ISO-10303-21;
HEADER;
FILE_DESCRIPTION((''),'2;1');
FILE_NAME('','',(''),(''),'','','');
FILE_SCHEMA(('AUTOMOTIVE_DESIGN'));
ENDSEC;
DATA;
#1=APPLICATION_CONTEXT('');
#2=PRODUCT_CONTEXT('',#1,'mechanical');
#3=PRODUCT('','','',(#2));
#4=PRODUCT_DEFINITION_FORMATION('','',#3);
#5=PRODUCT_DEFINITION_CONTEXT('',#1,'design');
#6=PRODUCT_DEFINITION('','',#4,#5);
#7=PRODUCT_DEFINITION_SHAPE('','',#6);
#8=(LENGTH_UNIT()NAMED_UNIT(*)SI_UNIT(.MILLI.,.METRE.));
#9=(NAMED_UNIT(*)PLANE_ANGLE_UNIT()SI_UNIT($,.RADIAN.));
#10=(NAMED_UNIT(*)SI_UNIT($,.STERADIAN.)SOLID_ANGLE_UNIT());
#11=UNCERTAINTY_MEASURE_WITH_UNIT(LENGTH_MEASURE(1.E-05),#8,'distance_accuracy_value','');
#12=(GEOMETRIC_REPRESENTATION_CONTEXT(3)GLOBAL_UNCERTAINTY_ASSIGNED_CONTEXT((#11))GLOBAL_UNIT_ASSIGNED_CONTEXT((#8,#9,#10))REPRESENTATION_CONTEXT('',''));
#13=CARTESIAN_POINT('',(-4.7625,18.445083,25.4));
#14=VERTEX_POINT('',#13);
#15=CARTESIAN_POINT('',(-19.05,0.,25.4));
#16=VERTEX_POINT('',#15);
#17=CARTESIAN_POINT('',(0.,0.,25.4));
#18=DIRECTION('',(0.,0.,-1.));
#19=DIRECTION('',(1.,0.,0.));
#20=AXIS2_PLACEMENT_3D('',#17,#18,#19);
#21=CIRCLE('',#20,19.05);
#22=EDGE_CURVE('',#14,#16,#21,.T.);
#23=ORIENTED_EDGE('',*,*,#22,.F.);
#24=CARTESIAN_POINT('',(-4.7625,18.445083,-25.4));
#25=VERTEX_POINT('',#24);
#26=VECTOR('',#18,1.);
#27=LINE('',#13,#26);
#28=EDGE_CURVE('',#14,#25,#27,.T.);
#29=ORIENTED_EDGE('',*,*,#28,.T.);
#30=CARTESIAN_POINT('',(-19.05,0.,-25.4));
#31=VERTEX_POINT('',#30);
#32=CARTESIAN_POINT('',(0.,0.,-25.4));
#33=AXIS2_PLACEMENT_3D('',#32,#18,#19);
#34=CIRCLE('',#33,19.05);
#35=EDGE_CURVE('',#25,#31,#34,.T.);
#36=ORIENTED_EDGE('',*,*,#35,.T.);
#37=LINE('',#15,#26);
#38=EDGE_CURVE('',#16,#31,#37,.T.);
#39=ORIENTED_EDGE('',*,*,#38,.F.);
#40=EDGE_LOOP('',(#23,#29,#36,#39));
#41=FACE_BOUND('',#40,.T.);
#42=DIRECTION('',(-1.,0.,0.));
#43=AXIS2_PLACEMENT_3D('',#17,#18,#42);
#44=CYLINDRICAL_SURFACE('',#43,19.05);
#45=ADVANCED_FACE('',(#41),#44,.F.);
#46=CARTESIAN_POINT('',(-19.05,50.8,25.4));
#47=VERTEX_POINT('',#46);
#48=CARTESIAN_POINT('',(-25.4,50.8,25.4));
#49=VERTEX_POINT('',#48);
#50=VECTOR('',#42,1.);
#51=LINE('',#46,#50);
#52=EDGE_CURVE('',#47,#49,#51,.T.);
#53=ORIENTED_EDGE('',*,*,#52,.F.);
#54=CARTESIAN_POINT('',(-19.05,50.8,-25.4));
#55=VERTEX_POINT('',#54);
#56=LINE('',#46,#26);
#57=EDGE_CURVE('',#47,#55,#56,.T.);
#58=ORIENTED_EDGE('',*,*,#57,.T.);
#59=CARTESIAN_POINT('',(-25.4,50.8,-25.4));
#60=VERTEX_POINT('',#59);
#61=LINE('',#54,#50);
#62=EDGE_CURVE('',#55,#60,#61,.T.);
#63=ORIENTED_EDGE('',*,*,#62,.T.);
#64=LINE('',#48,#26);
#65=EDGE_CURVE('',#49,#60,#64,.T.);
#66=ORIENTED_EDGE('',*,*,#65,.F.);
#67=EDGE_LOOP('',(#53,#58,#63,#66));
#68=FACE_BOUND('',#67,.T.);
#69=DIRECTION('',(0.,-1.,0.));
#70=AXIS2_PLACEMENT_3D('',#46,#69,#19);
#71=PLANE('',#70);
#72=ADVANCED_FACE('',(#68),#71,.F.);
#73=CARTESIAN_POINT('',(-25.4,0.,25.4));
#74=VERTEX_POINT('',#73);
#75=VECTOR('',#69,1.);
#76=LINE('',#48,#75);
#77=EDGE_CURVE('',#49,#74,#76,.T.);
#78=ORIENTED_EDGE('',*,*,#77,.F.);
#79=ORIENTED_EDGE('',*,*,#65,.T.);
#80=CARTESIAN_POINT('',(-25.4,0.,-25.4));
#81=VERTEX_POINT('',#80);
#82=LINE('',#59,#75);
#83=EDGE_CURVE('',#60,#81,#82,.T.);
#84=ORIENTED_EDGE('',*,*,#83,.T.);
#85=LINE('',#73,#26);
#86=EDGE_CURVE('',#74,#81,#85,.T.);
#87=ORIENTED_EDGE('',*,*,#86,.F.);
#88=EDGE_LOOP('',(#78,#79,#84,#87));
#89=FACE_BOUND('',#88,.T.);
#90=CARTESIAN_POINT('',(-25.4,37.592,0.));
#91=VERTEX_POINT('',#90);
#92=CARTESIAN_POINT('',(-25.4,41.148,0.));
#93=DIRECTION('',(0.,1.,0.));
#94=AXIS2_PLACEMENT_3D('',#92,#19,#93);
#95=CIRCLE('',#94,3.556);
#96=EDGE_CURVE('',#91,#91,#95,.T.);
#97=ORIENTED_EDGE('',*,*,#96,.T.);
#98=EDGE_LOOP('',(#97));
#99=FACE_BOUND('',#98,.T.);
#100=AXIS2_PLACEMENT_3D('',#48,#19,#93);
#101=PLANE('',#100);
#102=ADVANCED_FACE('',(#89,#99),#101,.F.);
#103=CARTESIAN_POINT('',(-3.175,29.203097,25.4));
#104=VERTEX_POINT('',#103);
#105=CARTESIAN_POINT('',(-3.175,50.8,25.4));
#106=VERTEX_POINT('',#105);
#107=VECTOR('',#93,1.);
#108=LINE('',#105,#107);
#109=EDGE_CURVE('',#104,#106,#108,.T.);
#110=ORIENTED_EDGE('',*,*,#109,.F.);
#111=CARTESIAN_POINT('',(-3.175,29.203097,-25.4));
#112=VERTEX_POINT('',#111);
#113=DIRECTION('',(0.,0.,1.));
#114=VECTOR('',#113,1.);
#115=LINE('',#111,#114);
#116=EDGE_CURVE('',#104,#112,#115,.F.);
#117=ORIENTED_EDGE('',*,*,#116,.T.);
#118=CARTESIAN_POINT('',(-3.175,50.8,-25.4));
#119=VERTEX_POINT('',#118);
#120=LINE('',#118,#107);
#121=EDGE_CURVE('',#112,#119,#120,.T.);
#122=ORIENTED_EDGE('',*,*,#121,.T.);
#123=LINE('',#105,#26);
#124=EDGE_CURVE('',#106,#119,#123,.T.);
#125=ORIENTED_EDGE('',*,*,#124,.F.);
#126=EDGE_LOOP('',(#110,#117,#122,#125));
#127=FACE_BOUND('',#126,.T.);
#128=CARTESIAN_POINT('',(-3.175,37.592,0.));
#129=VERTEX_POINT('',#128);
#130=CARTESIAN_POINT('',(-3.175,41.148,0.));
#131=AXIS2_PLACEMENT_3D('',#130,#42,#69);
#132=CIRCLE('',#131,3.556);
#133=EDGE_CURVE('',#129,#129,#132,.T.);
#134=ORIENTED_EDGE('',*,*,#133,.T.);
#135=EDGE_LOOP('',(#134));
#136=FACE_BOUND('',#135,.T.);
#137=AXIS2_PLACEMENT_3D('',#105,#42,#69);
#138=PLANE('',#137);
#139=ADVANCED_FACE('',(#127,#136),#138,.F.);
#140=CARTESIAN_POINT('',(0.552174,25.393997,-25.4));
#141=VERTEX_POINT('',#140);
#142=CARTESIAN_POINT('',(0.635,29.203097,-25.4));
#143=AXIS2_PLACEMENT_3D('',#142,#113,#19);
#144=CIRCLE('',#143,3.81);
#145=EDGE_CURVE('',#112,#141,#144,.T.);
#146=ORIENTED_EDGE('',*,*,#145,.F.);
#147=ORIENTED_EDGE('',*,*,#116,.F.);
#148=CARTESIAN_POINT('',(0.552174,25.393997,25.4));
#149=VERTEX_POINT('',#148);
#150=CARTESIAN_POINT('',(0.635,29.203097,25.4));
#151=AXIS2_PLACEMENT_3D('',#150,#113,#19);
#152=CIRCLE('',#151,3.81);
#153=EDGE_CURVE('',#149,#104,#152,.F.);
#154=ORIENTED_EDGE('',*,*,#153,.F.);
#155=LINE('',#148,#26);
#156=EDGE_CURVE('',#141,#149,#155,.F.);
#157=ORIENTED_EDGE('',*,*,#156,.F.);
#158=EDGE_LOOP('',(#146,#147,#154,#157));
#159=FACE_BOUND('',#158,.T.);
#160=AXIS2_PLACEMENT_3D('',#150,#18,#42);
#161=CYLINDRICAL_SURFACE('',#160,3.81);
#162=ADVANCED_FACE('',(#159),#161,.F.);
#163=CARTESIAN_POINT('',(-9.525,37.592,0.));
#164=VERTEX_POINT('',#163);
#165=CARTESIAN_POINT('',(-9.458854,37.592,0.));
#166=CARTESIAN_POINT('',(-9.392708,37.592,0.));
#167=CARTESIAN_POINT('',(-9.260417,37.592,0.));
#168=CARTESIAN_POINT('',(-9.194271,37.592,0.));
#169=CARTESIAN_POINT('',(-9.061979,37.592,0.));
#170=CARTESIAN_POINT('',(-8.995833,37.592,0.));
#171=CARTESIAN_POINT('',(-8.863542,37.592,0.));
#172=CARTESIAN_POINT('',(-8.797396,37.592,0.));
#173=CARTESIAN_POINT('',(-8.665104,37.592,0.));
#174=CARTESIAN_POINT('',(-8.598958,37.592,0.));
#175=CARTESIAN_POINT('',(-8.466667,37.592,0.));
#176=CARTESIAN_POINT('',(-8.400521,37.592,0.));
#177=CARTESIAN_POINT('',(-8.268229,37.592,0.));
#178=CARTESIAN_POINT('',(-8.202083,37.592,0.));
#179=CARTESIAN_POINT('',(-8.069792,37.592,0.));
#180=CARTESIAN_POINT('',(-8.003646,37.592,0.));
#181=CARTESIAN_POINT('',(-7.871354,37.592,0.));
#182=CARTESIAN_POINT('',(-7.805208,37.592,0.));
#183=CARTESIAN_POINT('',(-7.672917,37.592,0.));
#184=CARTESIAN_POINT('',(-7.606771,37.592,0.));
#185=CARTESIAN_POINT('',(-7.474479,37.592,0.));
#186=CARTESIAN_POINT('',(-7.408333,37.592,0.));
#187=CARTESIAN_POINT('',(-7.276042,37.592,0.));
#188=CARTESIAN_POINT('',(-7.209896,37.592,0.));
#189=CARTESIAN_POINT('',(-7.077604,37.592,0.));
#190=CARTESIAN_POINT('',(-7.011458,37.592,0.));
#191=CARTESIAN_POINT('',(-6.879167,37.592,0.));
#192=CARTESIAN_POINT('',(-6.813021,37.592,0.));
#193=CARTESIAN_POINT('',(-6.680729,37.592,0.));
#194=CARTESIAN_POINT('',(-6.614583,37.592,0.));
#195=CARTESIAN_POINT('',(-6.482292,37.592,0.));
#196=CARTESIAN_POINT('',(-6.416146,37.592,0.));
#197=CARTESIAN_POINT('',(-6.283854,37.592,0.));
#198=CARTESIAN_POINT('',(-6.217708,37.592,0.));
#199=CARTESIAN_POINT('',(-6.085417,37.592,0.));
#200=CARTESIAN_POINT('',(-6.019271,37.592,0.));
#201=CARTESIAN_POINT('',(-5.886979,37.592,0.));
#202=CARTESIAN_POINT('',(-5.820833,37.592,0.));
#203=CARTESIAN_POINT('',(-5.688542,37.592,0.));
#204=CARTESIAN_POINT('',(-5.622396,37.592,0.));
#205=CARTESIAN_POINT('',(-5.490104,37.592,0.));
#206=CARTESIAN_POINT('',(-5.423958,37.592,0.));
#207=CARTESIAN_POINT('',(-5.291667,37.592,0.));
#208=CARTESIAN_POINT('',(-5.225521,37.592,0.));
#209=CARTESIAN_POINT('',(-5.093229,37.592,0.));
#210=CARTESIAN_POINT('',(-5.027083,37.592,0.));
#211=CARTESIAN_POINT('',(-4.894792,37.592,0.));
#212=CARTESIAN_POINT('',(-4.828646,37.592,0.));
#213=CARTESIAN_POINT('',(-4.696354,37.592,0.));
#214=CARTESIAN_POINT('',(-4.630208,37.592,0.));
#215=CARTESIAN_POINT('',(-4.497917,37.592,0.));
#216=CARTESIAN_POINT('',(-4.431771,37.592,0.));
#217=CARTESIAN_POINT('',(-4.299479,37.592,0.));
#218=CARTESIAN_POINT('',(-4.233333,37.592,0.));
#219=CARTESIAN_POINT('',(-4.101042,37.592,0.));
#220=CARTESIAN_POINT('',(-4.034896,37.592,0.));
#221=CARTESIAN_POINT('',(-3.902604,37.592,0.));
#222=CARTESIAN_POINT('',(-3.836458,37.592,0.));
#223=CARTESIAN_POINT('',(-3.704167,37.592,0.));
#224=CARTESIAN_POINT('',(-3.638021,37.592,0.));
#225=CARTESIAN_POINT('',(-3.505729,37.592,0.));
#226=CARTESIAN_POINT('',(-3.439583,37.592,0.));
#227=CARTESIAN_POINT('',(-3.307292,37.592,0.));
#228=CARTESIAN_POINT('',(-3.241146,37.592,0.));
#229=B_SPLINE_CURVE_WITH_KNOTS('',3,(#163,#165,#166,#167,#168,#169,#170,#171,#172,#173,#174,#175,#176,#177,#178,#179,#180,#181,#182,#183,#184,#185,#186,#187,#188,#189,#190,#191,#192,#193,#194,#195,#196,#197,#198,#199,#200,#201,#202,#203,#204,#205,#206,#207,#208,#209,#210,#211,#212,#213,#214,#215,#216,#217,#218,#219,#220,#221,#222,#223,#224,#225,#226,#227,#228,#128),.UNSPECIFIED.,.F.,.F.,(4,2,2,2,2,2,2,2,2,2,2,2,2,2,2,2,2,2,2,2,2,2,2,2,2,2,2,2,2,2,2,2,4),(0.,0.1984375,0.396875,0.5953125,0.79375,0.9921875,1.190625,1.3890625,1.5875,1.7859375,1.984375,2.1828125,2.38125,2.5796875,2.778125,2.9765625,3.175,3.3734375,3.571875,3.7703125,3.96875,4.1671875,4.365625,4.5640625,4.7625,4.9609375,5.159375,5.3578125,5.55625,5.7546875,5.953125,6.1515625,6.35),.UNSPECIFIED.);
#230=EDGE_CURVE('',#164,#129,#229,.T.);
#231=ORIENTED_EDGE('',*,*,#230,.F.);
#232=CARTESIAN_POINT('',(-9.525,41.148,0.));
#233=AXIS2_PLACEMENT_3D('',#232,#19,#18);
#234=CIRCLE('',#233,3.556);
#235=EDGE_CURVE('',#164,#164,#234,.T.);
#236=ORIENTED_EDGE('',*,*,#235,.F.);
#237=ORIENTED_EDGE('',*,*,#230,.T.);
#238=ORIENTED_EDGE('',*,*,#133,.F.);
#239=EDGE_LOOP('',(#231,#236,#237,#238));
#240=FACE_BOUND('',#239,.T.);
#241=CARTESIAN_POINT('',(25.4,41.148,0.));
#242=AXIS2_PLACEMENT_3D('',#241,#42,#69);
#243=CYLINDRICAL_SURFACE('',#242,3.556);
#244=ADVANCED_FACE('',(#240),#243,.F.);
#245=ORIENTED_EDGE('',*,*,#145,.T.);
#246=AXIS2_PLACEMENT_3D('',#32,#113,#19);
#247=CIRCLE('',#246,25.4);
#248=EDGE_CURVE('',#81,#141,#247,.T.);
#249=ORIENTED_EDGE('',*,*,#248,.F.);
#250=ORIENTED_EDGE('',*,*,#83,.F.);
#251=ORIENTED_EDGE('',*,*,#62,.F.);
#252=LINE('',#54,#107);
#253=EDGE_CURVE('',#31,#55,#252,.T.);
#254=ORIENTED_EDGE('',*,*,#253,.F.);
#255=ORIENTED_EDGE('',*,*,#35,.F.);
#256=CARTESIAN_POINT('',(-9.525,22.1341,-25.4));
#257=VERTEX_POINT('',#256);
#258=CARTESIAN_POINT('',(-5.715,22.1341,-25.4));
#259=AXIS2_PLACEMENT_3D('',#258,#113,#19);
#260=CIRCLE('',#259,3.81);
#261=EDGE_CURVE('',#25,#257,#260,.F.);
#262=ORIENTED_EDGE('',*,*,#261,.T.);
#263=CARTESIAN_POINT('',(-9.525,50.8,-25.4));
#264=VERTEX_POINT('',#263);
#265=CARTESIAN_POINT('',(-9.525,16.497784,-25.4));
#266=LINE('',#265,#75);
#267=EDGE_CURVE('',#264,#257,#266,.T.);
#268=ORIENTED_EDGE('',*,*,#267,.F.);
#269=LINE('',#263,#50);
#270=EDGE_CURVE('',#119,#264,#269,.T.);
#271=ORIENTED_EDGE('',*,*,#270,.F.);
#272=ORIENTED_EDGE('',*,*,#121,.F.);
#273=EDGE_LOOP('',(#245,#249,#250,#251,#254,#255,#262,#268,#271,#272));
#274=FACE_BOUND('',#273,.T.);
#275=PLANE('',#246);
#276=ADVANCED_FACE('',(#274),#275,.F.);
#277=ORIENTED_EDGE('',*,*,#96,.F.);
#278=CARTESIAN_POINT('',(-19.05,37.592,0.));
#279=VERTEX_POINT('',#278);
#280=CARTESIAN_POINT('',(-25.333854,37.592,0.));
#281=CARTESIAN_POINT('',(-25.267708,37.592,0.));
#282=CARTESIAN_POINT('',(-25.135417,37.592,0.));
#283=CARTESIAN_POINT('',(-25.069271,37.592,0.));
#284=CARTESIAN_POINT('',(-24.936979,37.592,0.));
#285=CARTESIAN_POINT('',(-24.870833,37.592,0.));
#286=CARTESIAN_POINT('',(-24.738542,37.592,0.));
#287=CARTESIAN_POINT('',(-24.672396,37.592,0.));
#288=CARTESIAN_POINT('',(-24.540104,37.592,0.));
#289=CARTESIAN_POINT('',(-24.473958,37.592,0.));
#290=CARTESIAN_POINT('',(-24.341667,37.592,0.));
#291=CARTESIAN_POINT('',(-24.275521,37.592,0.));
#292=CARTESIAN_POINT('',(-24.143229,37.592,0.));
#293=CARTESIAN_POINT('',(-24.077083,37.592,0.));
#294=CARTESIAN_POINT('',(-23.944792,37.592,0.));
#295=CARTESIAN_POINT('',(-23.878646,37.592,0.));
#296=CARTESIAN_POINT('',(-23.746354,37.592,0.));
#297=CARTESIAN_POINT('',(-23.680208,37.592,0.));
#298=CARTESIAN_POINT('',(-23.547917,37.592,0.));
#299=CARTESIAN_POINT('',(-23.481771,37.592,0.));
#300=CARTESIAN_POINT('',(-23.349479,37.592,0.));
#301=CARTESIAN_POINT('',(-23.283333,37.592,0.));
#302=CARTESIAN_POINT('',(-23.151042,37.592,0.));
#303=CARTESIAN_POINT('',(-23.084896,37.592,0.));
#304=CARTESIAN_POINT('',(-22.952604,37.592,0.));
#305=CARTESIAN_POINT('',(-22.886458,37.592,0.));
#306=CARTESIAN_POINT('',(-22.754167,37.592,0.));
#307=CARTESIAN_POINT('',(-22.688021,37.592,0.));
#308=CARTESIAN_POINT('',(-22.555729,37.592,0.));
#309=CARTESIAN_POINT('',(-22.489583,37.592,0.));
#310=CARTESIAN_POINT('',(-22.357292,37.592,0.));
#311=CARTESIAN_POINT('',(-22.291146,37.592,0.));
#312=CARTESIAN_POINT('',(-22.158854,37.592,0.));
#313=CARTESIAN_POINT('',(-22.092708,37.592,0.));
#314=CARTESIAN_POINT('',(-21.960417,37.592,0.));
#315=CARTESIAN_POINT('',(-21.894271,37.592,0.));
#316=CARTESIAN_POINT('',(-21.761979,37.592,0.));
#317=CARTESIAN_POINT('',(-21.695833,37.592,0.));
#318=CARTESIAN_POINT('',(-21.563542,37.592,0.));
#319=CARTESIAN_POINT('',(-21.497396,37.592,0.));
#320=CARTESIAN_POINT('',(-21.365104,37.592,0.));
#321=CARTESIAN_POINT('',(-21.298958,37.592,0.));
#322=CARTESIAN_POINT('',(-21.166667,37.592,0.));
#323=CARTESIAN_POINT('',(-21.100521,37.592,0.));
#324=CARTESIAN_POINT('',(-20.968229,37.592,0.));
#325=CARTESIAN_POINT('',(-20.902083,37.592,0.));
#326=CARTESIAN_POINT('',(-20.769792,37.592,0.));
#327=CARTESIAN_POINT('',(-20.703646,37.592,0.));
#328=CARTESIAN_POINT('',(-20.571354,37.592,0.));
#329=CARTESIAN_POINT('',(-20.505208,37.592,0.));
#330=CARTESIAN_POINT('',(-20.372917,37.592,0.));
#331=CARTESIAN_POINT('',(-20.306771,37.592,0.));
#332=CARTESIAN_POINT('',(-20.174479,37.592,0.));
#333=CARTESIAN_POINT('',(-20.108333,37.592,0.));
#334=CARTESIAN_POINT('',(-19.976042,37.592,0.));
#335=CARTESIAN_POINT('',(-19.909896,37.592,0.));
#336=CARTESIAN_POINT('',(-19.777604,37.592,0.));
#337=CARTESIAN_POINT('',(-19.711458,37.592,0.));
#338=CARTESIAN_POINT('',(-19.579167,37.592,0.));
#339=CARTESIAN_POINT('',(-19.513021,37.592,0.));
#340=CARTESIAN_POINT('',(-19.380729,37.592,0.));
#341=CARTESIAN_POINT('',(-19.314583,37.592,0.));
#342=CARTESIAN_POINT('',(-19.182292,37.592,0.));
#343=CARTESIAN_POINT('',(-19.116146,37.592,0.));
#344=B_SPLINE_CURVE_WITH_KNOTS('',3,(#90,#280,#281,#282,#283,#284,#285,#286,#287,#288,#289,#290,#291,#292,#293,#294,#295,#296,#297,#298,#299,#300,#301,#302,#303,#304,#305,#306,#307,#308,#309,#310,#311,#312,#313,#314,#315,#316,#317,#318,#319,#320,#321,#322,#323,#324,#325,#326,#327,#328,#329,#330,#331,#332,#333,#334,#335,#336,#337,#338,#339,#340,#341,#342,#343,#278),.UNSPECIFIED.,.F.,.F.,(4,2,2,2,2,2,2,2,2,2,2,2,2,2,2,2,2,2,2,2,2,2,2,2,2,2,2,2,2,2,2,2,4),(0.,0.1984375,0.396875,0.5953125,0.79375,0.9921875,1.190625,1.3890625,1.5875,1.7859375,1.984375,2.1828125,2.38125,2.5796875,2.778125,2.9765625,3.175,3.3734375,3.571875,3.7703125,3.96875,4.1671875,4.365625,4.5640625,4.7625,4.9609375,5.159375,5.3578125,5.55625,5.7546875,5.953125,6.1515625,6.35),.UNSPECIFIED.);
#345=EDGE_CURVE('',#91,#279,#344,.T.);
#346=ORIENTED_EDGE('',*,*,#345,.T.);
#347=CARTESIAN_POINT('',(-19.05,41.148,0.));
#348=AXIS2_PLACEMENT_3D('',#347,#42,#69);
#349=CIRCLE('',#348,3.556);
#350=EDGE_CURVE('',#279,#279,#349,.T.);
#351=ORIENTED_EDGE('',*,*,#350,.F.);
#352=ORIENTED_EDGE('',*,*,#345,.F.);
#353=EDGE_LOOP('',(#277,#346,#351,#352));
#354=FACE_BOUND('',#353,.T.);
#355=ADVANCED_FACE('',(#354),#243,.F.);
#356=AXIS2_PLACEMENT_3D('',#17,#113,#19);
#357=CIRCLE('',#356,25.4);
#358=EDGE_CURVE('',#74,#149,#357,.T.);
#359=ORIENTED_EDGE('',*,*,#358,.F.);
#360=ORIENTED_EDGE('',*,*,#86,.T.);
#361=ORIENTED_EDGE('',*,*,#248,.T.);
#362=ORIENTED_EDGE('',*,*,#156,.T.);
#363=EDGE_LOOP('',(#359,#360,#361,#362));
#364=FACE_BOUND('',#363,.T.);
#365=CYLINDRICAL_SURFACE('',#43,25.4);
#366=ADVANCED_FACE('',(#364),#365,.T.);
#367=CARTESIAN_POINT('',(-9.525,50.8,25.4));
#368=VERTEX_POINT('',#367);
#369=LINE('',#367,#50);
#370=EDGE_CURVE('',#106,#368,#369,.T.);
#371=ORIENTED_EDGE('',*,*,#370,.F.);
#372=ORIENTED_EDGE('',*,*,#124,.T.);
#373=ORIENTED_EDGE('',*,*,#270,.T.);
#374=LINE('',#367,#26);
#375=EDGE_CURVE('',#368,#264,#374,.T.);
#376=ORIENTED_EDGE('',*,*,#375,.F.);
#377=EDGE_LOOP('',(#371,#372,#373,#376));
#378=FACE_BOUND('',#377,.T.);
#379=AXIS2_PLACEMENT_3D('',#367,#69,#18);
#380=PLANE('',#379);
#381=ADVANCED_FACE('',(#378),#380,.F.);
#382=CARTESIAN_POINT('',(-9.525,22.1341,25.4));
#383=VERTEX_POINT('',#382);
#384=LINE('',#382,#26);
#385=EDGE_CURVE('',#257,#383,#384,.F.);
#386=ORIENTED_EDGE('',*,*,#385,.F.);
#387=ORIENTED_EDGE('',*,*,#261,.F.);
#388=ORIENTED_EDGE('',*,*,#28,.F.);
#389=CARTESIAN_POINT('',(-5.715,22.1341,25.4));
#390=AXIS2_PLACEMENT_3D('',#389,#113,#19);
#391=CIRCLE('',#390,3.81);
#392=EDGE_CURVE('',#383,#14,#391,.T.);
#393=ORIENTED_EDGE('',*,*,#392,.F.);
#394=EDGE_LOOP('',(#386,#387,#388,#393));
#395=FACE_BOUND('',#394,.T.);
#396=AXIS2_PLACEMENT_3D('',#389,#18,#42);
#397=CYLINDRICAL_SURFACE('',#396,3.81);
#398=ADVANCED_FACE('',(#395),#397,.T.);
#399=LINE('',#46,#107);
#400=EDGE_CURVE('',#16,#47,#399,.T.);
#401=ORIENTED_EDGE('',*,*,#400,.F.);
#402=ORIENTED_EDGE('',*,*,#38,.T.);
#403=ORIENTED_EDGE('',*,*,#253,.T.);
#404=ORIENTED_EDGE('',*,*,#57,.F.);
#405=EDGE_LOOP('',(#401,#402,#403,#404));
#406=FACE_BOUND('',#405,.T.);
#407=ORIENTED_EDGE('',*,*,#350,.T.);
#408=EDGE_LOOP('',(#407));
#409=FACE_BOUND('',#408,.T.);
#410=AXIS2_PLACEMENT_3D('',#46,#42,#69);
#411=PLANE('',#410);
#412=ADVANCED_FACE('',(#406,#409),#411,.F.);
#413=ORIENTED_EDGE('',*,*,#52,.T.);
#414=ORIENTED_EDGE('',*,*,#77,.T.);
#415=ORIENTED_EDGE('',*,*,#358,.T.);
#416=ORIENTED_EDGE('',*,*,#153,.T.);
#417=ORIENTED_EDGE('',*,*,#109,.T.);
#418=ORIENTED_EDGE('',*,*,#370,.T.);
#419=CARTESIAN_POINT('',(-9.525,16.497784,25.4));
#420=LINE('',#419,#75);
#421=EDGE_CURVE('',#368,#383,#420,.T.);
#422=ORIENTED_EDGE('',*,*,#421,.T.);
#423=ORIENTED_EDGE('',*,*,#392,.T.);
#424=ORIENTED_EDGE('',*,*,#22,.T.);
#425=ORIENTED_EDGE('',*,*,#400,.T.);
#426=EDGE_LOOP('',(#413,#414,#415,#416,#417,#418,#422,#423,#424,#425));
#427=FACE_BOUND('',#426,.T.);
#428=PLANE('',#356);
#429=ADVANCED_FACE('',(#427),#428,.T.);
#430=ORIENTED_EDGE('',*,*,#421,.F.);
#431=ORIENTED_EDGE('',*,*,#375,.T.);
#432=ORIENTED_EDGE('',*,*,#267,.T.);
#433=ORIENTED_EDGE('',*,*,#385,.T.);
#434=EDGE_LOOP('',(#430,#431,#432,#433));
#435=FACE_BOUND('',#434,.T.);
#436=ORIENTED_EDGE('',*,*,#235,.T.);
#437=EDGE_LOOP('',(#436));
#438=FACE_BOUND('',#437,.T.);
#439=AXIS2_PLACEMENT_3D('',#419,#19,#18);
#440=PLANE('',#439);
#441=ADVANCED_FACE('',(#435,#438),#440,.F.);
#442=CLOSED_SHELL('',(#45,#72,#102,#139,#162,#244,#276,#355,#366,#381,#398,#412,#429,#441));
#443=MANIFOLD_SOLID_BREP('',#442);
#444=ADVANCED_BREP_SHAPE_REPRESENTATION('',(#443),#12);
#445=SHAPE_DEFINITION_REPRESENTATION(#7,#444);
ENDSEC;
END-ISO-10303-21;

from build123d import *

# Parameters (mm, degrees)
BOSS_EXTRUDE1_DEPTH     = 25.4
FILLET1_R               = 3.81
FILLET2_R               = 3.81
CUT_EXTRUDE1_DEPTH      = 77.2
CUT_EXTRUDE1_DEPTH_BACK = 77.2
SKETCH2_R               = 3.556


with BuildPart() as part:
    # Sketch1 → Boss-Extrude1 (new, symmetric)
    with BuildSketch(Plane.XY):
        with BuildLine():
            Line((-19.05, 50.8), (-25.4, 50.8))
            Line((-25.4, 50.8), (-25.4, 0))
            ThreePointArc((-25.4, 0), (19.05, -16.800520825), (-3.175, 25.200781238))
            Line((-3.175, 25.200781238), (-3.175, 50.8))
            Line((-3.175, 50.8), (-9.525, 50.8))
            Line((-9.525, 50.8), (-9.525, 16.497783942))
            ThreePointArc((-9.525, 16.497783942), (16.497783942, -9.525), (-19.05, 0))
            Line((-19.05, 0), (-19.05, 50.8))
        make_face()
    extrude(amount=BOSS_EXTRUDE1_DEPTH, both=True)

    # Fillet1
    fillet1_edges = [part.edges().sort_by_distance(p)[0] for p in [
        (-9.525, 16.497783942, 0),
    ]]
    fillet(fillet1_edges, radius=FILLET1_R)

    # Fillet2
    fillet2_edges = [part.edges().sort_by_distance(p)[0] for p in [
        (-3.175, 25.200781238, 0),
    ]]
    fillet(fillet2_edges, radius=FILLET2_R)

    # Sketch2 → Cut-Extrude1 (cut, two sides: drawn at the far end of the back side and taken through both)
    with BuildSketch(Plane.ZY.offset(25.4).offset(-CUT_EXTRUDE1_DEPTH_BACK)):
        with Locations(Location((0, 41.148, 0), (0, 0, 270))):
            Circle(SKETCH2_R)
    extrude(amount=CUT_EXTRUDE1_DEPTH + CUT_EXTRUDE1_DEPTH_BACK, mode=Mode.SUBTRACT)


solid = part.part
